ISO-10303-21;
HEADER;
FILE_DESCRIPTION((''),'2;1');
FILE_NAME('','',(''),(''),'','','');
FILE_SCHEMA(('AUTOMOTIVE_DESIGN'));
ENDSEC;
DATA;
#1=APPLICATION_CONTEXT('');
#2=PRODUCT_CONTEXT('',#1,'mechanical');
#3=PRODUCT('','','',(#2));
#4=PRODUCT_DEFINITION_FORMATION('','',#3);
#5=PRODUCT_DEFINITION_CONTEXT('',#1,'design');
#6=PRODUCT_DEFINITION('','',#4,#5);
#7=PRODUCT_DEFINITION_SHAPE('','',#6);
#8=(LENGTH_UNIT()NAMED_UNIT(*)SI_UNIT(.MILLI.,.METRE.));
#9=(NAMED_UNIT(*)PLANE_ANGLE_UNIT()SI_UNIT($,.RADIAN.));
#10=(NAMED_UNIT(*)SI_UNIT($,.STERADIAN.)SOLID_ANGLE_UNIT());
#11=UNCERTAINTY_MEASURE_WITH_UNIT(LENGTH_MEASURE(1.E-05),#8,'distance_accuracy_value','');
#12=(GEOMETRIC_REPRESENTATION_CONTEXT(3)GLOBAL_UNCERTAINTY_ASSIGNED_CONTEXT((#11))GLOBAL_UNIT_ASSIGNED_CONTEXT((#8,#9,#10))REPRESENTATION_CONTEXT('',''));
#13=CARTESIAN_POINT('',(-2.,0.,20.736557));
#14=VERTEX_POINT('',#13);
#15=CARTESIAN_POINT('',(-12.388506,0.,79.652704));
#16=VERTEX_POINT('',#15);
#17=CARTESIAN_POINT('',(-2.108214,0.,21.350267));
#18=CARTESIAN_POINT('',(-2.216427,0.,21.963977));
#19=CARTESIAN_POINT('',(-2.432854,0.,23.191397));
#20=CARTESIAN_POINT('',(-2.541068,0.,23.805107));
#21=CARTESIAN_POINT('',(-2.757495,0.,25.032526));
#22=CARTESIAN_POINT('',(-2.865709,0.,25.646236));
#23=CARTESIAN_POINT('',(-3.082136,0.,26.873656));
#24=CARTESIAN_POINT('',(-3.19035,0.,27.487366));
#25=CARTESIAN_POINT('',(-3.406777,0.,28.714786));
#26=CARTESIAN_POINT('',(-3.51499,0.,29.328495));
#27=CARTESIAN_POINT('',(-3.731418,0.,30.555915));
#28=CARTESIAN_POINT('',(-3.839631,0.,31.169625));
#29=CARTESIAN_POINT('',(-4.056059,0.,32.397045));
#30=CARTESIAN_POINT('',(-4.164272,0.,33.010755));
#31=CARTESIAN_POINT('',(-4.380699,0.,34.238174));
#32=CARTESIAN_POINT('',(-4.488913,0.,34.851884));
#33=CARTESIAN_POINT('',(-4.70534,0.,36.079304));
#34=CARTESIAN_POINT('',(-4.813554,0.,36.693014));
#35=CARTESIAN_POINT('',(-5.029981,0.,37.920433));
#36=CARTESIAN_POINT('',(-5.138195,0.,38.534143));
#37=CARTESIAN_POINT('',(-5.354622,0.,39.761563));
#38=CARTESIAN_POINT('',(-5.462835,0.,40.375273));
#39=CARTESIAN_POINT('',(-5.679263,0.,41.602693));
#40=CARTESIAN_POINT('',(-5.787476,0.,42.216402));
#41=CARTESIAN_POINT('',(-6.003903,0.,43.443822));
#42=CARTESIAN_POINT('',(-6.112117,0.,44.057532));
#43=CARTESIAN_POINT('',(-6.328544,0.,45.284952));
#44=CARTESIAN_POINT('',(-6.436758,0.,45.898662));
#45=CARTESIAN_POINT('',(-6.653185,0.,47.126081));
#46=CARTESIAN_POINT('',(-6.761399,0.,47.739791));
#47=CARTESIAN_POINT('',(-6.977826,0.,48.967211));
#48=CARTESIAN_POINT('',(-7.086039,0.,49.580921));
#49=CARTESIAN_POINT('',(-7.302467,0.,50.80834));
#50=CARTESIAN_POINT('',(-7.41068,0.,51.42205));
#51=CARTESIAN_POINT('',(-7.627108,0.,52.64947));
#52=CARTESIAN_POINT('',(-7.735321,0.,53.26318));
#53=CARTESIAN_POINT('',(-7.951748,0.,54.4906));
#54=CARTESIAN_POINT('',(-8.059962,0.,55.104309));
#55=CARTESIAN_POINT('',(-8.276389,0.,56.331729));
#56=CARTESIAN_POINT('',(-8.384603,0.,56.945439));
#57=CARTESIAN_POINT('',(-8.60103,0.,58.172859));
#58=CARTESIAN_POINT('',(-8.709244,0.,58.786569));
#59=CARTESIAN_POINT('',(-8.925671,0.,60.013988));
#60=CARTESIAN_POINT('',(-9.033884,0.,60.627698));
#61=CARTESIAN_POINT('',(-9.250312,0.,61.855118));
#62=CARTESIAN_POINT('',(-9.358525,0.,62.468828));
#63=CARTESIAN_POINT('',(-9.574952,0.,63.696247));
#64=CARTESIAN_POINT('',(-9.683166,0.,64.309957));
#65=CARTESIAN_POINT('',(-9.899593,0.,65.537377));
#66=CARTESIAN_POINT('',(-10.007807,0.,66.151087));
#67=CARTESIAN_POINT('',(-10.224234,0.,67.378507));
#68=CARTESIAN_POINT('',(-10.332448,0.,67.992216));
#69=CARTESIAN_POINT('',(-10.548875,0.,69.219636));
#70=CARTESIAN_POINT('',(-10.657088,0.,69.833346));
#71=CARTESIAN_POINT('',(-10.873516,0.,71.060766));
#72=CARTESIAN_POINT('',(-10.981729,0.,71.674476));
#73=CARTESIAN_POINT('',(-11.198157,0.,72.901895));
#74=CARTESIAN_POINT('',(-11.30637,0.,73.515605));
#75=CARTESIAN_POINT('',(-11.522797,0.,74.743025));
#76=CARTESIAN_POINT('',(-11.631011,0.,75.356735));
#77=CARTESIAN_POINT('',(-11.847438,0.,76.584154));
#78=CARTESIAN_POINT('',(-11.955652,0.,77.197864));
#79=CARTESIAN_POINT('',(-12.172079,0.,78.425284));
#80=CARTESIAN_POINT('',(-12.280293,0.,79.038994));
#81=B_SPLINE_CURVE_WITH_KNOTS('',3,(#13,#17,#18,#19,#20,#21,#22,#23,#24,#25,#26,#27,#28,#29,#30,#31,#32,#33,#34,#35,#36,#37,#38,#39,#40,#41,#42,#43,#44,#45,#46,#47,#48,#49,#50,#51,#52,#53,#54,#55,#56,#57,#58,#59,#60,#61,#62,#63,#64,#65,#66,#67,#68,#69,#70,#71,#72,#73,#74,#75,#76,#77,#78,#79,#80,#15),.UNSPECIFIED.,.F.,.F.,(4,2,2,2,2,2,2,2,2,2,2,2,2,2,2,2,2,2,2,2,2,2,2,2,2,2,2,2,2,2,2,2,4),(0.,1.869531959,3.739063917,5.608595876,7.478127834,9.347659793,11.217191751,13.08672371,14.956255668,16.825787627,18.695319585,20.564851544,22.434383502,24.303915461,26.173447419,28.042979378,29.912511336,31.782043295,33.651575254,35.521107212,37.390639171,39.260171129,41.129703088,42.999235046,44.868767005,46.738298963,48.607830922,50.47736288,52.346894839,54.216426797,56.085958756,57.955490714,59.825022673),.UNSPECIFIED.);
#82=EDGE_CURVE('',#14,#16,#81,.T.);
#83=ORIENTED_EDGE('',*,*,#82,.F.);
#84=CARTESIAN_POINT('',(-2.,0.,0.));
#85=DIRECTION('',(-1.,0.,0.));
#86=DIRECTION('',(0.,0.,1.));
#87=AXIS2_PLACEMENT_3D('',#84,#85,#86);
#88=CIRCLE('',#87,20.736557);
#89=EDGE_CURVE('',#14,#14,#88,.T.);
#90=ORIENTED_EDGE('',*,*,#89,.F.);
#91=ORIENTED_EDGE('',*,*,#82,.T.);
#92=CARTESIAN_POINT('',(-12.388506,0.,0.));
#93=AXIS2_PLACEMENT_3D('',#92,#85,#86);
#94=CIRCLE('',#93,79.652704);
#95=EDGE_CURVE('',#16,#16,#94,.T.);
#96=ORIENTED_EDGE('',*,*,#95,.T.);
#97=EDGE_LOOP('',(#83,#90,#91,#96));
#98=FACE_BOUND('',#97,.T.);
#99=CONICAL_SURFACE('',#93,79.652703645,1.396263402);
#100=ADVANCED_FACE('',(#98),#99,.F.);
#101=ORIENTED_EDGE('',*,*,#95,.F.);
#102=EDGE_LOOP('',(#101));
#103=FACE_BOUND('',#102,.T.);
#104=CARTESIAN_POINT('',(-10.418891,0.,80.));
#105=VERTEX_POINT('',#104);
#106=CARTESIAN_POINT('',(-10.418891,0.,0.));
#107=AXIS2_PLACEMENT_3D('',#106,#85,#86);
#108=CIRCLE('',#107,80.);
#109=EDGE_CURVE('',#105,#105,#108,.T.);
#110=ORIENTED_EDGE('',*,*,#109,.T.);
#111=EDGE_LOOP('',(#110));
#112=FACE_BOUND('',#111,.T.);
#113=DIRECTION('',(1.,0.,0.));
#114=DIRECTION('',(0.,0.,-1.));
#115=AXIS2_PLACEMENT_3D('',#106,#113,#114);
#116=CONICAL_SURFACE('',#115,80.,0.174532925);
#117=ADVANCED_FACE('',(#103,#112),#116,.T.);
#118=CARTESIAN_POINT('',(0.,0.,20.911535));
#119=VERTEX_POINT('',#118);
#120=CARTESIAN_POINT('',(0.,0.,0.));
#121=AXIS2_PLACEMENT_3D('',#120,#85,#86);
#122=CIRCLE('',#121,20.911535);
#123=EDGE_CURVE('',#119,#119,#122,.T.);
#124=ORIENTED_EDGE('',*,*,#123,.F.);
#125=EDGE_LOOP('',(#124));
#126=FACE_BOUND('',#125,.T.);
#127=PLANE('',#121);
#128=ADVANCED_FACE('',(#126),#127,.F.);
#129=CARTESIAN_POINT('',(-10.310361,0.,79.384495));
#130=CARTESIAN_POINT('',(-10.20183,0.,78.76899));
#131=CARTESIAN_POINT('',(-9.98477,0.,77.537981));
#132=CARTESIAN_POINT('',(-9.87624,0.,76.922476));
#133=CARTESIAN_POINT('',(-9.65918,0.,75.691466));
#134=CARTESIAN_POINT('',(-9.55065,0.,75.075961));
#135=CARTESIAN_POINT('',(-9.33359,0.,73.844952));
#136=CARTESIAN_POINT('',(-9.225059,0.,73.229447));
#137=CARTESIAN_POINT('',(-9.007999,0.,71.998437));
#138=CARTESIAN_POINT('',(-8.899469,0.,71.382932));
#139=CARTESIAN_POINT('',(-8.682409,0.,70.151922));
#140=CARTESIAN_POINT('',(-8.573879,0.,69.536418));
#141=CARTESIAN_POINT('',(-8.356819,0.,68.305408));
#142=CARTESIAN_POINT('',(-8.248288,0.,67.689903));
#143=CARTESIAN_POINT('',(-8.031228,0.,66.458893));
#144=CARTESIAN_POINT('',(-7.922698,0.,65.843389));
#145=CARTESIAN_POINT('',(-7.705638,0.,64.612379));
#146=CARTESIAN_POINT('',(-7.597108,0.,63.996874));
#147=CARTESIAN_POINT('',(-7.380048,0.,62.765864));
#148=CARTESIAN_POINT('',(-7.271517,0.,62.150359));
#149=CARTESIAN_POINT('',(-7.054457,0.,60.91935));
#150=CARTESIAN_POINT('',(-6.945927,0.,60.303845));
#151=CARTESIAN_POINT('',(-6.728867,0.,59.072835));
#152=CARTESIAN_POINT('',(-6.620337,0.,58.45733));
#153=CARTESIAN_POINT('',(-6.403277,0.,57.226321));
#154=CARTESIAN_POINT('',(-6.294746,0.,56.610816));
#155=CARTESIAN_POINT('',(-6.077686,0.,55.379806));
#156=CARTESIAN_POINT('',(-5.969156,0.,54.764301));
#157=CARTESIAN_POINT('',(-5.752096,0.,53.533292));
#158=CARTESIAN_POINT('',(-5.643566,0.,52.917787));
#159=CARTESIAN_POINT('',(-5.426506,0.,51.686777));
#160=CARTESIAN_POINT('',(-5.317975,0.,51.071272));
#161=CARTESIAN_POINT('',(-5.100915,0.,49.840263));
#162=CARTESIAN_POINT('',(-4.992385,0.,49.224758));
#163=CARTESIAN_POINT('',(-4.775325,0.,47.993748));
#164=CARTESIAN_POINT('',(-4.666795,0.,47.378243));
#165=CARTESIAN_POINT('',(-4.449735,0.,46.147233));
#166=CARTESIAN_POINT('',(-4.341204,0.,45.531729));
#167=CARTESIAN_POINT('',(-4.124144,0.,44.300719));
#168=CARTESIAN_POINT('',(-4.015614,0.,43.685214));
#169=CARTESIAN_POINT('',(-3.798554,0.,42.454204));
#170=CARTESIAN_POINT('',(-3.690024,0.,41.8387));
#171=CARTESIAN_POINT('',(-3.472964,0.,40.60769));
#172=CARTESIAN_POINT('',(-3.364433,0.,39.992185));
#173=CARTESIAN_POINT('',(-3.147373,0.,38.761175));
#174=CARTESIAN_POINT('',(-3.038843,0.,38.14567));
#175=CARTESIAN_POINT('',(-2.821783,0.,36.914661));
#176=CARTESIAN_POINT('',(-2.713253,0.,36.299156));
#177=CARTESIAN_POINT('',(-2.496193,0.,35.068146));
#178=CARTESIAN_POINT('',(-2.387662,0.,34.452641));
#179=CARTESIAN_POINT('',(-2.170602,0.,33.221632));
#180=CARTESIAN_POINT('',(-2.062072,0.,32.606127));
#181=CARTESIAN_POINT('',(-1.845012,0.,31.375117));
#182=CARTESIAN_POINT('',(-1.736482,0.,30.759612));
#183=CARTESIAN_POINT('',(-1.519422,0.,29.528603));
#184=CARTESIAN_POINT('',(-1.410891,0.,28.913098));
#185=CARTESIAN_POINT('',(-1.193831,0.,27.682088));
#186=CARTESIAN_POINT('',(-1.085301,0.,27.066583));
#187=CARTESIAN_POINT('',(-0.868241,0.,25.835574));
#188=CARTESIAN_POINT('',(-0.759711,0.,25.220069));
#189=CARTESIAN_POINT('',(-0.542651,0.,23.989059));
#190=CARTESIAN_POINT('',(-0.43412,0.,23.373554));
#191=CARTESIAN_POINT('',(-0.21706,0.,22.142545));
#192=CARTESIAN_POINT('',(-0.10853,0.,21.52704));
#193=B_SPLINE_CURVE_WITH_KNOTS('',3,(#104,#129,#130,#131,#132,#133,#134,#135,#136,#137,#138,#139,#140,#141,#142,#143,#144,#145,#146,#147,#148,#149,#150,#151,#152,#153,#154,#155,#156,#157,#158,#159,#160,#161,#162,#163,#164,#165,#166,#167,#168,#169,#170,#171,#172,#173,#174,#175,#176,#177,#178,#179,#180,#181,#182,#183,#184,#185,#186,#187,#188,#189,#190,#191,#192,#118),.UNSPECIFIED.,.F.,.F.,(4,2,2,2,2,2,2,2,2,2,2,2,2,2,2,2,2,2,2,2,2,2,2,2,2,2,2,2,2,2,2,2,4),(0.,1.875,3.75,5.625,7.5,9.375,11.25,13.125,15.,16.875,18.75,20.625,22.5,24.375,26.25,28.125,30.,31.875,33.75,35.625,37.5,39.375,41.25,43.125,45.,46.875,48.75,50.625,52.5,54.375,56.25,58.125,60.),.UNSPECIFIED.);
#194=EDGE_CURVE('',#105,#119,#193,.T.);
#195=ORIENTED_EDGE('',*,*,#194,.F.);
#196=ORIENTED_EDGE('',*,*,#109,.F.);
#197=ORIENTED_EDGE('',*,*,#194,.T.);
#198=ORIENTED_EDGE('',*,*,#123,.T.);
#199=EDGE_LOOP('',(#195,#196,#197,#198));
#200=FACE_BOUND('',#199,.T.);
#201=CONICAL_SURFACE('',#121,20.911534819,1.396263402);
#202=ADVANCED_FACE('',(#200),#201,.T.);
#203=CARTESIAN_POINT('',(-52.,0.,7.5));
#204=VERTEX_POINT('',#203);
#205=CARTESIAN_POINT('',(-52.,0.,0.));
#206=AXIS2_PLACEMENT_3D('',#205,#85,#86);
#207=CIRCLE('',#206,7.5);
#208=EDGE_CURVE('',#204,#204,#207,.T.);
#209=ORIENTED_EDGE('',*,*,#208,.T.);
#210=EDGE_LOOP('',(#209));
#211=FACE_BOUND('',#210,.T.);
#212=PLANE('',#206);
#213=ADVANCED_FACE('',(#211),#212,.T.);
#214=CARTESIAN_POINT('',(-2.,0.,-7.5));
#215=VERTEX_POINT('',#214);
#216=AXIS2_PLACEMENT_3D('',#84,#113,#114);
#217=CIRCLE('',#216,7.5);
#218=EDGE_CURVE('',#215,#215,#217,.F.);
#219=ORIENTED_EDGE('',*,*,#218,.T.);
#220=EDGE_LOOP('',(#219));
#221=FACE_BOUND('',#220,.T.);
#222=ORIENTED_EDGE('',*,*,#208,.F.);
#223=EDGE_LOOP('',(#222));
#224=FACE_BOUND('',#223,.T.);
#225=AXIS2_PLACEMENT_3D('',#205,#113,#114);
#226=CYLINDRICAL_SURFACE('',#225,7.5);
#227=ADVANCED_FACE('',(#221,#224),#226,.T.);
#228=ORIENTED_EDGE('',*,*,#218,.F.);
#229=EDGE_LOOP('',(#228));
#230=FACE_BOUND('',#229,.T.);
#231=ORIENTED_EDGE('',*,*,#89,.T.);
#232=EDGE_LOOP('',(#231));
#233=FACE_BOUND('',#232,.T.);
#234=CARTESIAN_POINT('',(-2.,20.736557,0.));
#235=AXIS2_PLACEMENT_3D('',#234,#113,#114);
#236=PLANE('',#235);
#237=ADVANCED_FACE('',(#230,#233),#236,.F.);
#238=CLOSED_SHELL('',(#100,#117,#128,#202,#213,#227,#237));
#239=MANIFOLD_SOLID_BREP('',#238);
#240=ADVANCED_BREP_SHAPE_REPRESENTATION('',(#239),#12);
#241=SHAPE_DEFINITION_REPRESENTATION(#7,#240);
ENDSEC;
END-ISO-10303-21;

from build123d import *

# Parameters (mm, degrees)
SKETCH_2_R      = 7.5
EXTRUDE_1_DEPTH = 50


with BuildPart() as part:
    # 草图1 → 旋转1 (revolve)
    with BuildSketch(Plane.XY, mode=Mode.PRIVATE) as revolve_1_sk:
        Polygon((0, 0), (0, 20.911534819), (-10.41889066, 80), (-12.388506166, 79.652703645), (-2, 20.736557492), (-2, 0), align=None)
    revolve(revolve_1_sk.sketch.rotate(Axis((-2, 0, 0), (1, 0, 0)), 90), axis=Axis((-2, 0, 0), (1, 0, 0)))

    # 草图2 → 凸台-拉伸1 (add)
    with BuildSketch(Plane.ZY.offset(2)):
        with Locations(Location((0, 0, 0), (0, 0, 180))):
            Circle(SKETCH_2_R)
    extrude(amount=EXTRUDE_1_DEPTH)


solid = part.part
